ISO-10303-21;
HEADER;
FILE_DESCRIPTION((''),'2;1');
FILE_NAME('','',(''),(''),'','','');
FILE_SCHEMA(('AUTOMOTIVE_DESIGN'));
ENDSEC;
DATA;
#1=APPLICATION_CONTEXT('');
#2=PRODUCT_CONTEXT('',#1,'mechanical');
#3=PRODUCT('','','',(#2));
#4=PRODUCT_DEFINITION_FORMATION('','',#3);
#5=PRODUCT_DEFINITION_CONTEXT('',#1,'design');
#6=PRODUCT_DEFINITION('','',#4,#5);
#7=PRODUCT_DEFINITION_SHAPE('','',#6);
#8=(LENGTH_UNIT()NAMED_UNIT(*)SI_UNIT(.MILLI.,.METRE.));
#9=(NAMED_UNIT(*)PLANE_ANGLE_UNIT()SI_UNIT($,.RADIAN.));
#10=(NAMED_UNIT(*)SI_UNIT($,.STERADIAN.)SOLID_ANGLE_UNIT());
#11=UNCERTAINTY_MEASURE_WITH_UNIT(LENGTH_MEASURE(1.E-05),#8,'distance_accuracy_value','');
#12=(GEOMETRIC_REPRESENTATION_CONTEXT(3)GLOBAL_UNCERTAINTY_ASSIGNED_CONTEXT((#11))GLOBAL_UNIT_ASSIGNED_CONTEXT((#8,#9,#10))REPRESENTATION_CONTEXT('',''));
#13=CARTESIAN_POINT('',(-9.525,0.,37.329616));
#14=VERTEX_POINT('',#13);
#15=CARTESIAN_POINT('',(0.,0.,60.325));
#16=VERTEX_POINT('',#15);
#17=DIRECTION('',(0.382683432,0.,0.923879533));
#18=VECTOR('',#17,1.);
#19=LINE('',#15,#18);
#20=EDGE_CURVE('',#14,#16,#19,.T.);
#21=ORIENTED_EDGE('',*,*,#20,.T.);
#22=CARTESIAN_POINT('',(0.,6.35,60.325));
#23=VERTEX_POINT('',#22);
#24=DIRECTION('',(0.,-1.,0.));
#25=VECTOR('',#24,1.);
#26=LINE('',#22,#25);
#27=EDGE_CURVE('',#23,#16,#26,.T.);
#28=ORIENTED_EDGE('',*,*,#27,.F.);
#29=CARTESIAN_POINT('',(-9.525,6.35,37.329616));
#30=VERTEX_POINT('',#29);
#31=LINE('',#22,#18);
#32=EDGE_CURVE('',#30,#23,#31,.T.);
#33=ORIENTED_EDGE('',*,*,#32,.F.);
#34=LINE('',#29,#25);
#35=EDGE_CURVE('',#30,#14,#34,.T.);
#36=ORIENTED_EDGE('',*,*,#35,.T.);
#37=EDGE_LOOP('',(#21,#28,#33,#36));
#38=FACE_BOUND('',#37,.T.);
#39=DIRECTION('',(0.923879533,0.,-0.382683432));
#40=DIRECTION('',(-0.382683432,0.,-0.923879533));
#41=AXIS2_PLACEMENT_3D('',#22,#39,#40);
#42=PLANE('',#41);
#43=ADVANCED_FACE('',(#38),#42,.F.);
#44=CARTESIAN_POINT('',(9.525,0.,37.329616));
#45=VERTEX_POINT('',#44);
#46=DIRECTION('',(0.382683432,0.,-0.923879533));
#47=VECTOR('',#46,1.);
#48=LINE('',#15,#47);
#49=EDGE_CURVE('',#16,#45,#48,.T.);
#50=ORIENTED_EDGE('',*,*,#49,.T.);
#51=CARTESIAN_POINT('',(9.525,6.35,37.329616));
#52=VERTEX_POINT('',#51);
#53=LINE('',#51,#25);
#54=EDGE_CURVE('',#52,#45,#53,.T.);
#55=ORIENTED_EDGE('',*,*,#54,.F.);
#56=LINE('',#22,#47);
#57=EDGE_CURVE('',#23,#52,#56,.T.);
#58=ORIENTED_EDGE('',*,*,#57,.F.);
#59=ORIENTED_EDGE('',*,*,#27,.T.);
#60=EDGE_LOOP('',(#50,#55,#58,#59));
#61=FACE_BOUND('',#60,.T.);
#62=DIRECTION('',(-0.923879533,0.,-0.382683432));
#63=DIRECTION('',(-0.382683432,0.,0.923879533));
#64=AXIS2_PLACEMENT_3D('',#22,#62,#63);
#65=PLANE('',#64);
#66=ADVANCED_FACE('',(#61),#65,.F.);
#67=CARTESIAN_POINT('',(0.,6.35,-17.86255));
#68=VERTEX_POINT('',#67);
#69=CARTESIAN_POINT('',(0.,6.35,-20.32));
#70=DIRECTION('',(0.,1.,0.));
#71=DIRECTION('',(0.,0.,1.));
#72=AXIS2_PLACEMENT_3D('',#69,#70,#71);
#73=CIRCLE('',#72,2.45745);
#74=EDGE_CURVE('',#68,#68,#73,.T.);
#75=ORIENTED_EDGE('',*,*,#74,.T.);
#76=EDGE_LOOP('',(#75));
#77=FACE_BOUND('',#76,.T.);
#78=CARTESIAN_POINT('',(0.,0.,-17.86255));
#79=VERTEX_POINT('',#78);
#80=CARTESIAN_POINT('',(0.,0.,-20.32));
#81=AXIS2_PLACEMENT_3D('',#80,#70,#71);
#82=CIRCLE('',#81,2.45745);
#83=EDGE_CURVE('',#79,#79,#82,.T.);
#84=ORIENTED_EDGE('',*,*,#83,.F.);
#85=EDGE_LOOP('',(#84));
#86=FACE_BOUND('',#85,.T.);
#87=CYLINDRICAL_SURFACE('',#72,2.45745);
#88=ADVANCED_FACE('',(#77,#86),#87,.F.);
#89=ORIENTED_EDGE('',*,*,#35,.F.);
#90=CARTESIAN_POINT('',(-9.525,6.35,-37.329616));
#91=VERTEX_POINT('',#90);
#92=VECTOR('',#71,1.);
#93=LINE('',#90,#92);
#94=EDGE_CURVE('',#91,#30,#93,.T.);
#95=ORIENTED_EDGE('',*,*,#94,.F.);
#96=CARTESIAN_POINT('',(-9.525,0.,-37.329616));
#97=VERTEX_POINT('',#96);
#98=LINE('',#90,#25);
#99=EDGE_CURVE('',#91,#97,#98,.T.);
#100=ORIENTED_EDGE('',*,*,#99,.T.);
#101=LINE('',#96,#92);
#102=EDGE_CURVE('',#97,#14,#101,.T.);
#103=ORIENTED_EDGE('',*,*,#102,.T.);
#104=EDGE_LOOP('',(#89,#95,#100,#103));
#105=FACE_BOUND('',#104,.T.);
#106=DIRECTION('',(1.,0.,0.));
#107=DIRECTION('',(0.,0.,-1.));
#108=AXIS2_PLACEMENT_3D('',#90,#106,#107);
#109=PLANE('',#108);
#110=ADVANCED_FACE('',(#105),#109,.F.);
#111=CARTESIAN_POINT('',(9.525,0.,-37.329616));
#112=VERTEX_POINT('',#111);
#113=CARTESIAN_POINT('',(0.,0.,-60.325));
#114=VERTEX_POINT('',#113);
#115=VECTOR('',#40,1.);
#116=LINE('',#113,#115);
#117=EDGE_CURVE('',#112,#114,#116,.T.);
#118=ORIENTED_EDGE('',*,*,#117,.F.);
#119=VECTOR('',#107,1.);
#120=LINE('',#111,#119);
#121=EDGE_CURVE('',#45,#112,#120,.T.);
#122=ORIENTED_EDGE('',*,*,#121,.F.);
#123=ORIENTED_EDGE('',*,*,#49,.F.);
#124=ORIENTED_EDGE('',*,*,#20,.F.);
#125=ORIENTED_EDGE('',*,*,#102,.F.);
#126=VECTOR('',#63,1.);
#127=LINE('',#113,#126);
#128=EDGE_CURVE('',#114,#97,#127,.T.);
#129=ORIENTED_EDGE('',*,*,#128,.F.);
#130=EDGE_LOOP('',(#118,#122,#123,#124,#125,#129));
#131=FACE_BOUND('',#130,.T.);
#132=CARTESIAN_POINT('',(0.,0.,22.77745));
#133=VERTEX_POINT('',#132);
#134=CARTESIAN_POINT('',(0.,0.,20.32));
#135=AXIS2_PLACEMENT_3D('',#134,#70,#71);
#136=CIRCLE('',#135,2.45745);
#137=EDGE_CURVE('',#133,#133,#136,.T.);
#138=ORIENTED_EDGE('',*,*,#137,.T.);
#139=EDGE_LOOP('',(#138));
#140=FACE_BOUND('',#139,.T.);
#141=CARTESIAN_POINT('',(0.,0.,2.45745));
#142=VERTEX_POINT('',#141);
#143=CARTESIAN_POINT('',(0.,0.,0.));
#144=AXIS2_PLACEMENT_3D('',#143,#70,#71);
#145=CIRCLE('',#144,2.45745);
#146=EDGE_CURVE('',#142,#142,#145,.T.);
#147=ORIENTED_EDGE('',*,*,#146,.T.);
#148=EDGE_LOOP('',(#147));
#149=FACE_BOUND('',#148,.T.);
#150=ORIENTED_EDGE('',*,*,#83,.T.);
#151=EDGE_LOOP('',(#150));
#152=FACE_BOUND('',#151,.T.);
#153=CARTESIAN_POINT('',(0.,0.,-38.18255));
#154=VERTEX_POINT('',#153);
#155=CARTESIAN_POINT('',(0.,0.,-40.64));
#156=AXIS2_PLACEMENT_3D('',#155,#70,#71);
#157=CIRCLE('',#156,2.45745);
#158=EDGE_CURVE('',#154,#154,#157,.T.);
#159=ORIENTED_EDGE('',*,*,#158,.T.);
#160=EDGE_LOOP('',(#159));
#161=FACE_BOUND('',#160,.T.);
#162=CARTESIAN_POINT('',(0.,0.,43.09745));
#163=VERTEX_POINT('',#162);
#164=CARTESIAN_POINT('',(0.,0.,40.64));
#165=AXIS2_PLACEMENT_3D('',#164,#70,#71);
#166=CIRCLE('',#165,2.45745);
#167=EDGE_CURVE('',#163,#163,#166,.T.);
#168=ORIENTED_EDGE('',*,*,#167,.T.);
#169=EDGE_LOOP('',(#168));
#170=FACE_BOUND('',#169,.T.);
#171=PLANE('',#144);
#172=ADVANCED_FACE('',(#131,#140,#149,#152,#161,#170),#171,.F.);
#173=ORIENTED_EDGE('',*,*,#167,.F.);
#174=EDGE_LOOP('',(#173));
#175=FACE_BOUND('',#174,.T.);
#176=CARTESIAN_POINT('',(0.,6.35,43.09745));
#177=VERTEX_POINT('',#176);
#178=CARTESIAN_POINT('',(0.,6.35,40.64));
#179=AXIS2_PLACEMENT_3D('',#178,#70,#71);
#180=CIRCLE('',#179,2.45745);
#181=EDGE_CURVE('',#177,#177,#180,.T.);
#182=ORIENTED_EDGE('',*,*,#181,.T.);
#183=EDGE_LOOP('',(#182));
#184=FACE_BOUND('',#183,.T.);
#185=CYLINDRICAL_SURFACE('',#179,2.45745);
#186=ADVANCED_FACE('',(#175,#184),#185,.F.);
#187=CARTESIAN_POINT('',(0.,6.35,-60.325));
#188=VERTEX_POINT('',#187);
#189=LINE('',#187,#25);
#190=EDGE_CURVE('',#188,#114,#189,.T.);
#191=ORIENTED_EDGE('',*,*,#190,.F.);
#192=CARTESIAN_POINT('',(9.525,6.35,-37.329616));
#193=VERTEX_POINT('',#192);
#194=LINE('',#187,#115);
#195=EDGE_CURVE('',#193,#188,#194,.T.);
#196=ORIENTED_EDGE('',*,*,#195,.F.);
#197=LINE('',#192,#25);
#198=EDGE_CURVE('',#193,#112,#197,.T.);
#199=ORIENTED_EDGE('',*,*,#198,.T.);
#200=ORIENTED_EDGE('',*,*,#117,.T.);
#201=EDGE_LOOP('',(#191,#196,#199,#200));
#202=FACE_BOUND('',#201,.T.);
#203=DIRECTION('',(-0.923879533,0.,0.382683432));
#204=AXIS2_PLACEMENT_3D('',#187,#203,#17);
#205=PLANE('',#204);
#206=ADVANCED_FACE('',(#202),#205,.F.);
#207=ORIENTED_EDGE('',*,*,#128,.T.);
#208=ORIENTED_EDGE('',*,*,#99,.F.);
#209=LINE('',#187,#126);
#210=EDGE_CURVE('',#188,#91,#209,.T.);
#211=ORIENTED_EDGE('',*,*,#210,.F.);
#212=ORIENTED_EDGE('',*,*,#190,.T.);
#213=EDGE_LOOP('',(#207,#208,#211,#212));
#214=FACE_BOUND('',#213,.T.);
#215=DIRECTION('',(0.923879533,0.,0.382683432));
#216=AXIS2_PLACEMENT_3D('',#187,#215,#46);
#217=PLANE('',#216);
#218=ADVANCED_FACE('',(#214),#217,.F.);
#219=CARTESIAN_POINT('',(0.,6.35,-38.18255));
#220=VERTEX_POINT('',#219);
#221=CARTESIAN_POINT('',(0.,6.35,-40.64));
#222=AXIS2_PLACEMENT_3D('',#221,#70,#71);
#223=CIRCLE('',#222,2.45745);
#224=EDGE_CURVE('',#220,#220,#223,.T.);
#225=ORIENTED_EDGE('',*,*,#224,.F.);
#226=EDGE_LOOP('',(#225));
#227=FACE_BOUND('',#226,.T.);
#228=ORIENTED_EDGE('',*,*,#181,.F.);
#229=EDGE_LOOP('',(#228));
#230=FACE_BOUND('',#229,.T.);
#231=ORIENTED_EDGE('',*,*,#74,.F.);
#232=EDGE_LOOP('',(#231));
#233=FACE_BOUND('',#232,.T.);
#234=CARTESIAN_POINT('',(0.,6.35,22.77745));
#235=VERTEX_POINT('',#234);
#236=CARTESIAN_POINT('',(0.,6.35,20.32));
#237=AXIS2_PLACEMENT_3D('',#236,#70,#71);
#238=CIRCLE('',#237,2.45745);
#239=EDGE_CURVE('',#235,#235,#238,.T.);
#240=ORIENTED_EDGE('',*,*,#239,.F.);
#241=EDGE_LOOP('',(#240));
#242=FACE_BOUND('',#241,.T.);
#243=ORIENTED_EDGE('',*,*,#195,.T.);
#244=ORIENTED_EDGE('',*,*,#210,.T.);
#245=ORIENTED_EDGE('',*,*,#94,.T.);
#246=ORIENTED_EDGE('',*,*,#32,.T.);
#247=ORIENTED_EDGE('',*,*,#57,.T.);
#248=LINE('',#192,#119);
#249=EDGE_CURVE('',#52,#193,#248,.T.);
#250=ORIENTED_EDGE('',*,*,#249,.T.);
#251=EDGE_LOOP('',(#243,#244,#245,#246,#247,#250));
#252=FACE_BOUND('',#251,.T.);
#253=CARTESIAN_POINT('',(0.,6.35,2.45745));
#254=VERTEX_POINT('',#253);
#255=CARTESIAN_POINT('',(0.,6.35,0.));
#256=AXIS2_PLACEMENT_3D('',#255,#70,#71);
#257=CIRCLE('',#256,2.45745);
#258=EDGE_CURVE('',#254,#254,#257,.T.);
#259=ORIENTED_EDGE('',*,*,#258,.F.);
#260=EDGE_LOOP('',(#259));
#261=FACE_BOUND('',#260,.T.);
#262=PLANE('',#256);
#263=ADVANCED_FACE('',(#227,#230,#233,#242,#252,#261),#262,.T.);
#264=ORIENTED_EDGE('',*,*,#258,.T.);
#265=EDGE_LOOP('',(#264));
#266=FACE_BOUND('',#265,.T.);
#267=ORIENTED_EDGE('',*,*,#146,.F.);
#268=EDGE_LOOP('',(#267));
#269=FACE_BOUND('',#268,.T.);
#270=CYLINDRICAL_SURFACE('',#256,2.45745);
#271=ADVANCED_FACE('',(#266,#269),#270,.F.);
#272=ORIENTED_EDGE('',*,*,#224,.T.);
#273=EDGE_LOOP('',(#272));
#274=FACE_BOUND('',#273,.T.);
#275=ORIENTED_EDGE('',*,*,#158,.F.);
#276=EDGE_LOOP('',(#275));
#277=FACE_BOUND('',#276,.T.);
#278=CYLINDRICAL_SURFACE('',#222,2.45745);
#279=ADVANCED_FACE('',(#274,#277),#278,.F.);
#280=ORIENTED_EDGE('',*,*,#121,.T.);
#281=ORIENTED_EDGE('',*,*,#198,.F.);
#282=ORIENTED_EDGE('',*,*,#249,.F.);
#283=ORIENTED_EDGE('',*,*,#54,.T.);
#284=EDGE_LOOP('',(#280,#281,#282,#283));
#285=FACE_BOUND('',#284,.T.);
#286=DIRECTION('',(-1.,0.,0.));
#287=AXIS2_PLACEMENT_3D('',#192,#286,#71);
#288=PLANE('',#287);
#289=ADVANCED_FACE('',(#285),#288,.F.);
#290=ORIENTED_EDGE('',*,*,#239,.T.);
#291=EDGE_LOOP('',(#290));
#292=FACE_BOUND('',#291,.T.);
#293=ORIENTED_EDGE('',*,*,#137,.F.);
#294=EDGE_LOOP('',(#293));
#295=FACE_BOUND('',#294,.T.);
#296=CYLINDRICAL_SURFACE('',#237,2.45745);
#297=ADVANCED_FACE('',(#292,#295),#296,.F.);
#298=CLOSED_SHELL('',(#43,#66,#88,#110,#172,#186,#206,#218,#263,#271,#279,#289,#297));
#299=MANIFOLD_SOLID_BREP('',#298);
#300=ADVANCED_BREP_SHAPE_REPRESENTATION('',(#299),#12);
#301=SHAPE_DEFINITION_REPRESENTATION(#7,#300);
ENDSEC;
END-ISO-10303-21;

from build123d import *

# Parameters (mm, degrees)
BOSS_EXTRUDE1_DEPTH          = 6.35
F_10_0_1935_DIAMETER_HOLE1_D = 4.9149


with BuildPart() as part:
    # Sketch1 → Boss-Extrude1 (new body)
    with BuildSketch(Plane(origin=(0, 0, 0), x_dir=(1, 0, 0), z_dir=(0, 1, 0))):
        Polygon((0, 60.325), (-9.525, 37.329615818), (-9.525, -37.329615818), (0, -60.325), (9.525, -37.329615818), (9.525, 37.329615818), align=None)
    extrude(amount=BOSS_EXTRUDE1_DEPTH)

    # #10 (0.1935) Diameter Hole1 (through all)
    with Locations(Plane(origin=(0, 6.35, 0), x_dir=(1, 0, 0), z_dir=(0, 1, 0))):
        with Locations((0, 20.32), (0, 40.64), (0, 0), (0, -20.32), (0, -40.64)):
            Hole(F_10_0_1935_DIAMETER_HOLE1_D / 2)


solid = part.part
